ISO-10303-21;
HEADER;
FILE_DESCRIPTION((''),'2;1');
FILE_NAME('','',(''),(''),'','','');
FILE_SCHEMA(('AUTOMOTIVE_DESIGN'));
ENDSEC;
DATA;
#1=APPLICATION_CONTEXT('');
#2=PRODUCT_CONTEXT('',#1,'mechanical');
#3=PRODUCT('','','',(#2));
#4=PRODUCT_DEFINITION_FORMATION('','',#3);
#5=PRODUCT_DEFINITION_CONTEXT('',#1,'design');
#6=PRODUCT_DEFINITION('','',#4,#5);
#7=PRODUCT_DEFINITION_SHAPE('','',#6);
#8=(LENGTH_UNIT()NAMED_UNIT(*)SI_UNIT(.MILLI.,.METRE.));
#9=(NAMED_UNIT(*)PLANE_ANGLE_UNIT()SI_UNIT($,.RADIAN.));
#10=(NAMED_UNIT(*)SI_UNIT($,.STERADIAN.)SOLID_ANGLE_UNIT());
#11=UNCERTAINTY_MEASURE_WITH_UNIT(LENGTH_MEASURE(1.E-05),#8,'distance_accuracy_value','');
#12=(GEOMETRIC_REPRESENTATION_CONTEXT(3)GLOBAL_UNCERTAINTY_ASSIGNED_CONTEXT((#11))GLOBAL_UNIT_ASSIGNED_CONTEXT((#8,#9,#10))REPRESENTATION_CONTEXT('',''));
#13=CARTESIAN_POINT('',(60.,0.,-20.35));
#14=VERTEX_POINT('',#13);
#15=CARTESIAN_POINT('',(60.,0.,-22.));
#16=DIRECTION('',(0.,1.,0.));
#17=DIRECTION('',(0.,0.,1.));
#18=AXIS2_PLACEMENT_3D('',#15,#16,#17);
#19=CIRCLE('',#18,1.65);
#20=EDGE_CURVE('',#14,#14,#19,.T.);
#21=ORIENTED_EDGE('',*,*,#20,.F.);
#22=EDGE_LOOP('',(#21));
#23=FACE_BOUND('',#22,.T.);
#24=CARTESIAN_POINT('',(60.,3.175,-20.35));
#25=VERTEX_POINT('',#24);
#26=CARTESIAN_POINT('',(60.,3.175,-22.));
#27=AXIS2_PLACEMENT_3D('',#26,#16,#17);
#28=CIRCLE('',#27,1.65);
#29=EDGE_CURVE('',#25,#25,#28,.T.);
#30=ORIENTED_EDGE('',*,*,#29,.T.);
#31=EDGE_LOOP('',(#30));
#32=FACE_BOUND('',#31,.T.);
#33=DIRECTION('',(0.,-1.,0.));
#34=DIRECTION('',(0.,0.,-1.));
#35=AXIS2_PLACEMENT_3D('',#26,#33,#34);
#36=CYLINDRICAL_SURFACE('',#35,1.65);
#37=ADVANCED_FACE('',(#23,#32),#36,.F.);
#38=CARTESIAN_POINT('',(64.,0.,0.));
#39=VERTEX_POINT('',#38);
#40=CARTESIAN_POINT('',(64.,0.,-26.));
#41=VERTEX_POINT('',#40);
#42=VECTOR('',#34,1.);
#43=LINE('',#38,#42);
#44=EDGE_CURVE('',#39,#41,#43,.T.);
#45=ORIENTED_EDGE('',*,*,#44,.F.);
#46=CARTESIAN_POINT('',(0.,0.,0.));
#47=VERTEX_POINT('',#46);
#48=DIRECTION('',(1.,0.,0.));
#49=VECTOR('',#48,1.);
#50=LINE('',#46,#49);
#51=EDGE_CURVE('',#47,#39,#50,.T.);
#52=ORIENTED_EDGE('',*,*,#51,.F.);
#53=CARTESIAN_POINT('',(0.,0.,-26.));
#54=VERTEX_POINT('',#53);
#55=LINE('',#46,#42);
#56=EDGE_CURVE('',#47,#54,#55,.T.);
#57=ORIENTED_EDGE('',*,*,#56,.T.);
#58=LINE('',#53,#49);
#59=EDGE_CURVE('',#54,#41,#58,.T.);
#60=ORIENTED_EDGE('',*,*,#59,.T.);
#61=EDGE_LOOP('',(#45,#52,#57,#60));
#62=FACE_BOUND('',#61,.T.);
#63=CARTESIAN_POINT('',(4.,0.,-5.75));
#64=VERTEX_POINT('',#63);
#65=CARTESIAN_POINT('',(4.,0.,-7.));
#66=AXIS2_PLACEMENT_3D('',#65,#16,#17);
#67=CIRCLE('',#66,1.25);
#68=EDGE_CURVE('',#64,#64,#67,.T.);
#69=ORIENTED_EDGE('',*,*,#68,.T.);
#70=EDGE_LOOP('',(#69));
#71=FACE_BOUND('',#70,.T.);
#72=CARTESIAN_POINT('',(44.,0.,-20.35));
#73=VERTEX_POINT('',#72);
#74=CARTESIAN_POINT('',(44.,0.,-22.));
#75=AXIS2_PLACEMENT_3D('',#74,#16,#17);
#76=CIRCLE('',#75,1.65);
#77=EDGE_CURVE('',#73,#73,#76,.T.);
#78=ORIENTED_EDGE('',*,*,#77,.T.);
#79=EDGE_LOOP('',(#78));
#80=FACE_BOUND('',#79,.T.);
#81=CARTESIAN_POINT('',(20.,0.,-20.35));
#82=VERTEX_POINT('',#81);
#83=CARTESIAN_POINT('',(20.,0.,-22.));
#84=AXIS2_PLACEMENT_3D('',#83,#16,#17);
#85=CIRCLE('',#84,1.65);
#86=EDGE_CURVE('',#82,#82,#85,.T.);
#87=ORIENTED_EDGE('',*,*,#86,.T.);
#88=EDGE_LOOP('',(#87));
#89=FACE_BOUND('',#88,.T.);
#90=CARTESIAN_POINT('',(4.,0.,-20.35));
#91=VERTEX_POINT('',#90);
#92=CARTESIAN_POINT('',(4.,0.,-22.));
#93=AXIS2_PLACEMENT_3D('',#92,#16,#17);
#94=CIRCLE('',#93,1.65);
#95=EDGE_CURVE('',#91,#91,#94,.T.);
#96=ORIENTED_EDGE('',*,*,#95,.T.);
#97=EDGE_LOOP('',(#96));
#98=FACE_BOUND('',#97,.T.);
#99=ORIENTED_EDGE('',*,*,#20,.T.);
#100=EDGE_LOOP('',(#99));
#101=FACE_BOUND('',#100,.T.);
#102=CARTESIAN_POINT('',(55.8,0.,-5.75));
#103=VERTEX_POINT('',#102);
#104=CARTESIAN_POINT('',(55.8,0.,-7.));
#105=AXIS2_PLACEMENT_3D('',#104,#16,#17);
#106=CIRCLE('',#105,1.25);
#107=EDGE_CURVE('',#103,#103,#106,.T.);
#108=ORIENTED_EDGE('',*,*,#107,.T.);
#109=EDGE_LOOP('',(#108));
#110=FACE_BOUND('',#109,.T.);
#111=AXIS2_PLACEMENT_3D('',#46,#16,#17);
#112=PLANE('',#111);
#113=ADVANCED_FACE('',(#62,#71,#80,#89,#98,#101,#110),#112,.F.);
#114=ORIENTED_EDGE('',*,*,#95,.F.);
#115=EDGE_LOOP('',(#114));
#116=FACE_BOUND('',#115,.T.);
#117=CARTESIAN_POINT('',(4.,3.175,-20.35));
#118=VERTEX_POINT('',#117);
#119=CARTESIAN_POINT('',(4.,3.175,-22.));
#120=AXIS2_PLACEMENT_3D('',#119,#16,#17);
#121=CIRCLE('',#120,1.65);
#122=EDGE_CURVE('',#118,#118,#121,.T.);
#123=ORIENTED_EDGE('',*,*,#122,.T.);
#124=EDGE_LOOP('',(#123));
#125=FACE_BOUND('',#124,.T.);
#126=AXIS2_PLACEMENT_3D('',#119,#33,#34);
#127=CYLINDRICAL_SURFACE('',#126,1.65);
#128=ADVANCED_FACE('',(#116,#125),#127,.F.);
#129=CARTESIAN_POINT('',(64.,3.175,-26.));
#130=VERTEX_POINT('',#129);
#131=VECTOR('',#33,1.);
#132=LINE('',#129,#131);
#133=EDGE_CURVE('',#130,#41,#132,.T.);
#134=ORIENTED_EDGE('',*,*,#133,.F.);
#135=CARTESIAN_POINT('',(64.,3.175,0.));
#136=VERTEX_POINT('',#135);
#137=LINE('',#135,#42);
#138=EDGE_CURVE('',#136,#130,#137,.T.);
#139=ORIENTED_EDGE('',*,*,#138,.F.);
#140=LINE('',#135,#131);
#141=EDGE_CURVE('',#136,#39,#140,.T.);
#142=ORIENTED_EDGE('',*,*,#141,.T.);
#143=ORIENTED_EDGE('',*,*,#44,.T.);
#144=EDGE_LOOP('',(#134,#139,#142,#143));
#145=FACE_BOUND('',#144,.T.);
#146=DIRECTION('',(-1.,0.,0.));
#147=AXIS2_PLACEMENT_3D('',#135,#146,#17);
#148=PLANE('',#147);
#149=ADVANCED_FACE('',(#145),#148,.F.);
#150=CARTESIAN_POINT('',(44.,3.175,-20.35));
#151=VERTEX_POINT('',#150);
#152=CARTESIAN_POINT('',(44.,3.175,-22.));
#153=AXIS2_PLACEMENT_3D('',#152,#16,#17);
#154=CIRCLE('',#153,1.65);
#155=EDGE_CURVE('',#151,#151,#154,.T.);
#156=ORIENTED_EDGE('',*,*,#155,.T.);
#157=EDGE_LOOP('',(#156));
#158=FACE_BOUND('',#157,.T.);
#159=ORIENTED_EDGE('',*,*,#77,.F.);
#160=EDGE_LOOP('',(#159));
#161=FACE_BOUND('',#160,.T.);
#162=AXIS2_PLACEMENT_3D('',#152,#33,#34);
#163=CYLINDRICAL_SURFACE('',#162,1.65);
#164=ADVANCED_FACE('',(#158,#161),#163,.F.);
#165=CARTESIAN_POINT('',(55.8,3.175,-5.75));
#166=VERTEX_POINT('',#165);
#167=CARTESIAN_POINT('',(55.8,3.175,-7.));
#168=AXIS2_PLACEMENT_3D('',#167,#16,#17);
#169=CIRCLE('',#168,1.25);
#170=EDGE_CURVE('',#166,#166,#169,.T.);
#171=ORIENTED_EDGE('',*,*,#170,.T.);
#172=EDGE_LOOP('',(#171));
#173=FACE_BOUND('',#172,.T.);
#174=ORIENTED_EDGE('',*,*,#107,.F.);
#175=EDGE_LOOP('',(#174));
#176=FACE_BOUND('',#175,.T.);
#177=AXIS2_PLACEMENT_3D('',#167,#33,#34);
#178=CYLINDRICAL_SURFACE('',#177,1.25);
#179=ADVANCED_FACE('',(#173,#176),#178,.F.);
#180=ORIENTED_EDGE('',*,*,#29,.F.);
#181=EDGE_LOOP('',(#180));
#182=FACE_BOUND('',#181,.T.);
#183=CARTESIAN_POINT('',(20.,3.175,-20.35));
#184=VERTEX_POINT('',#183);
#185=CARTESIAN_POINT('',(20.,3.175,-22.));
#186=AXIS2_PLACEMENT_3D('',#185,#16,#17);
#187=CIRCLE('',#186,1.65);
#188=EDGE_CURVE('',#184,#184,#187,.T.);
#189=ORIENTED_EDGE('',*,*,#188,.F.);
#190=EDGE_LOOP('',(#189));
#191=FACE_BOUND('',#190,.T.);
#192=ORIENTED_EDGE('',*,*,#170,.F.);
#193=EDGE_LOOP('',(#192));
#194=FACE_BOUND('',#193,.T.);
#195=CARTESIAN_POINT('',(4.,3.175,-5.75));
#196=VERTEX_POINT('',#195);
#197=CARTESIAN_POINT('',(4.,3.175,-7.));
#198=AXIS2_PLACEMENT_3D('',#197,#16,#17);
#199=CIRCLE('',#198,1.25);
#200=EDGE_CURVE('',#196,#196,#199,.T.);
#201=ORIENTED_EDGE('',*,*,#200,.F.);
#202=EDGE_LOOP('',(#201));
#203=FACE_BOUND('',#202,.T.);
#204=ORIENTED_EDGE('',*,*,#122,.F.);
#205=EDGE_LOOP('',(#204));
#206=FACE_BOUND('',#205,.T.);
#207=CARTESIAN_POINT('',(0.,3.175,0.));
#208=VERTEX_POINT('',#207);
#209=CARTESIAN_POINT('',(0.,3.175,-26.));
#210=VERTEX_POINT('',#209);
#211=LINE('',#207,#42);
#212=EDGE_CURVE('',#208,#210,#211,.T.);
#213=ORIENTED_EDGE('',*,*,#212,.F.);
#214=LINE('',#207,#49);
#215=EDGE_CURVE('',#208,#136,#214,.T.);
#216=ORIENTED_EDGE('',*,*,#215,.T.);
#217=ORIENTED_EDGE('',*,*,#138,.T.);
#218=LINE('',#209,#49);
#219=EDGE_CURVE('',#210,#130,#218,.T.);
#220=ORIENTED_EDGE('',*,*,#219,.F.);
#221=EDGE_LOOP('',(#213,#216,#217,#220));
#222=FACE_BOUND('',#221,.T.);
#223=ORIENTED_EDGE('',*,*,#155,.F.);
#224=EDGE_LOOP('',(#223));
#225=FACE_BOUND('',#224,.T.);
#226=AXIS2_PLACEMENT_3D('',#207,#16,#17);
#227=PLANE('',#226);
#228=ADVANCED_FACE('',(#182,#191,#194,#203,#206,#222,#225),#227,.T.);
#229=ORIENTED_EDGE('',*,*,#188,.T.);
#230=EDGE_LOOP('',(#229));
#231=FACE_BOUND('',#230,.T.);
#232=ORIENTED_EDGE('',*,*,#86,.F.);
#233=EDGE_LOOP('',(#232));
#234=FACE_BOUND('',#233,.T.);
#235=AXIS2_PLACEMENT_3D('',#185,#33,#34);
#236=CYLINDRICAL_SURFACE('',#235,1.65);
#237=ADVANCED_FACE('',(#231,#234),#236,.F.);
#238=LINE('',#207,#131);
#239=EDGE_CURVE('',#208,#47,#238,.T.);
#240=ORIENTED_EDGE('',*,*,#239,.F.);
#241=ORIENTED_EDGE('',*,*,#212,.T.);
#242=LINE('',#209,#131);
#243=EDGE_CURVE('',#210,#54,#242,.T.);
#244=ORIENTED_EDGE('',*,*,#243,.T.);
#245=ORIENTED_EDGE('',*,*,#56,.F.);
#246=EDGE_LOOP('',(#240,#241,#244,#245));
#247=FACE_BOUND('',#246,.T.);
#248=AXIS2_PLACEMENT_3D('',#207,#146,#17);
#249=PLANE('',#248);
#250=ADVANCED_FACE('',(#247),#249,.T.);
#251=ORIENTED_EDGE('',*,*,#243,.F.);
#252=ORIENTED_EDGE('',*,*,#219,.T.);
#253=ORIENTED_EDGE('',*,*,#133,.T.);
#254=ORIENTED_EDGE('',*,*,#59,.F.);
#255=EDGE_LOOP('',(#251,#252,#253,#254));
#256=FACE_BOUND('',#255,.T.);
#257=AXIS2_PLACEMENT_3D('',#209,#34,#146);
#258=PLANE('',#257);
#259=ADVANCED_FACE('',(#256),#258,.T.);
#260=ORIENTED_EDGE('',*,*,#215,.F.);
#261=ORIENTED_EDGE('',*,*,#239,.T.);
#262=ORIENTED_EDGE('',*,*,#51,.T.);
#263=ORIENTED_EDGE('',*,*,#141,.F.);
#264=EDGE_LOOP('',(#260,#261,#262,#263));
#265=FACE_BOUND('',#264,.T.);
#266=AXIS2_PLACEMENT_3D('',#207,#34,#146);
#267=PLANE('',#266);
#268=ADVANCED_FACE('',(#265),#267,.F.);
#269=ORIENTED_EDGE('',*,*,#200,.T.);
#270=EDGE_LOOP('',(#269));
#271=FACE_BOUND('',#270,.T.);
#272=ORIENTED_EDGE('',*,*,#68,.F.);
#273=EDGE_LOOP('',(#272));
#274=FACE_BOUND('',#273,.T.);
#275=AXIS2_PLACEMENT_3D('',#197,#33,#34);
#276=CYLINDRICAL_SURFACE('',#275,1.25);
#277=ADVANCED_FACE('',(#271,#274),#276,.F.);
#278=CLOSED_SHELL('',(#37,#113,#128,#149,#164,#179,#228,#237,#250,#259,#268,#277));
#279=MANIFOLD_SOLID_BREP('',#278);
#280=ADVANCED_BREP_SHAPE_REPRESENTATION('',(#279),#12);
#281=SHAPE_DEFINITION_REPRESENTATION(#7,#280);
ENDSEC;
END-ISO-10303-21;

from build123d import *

# Parameters (mm, degrees)
SKETCH1_W           = 64
SKETCH1_H           = 26
SKETCH1_R           = 1.65
SKETCH1_R_2         = 1.25
BOSS_EXTRUDE1_DEPTH = 3.175


with BuildPart() as part:
    # Sketch1 → Boss-Extrude1 (new body)
    with BuildSketch(Plane(origin=(0, 0, 0), x_dir=(1, 0, 0), z_dir=(0, 1, 0))):
        with Locations((32, 13)):
            Rectangle(SKETCH1_W, SKETCH1_H)
        with Locations(Location((4, 22, 0), (0, 0, 270))):
            Circle(SKETCH1_R, mode=Mode.SUBTRACT)
        with Locations(Location((20, 22, 0), (0, 0, 270))):
            Circle(SKETCH1_R, mode=Mode.SUBTRACT)
        with Locations(Location((60, 22, 0), (0, 0, 270))):
            Circle(SKETCH1_R, mode=Mode.SUBTRACT)
        with Locations(Location((44, 22, 0), (0, 0, 270))):
            Circle(SKETCH1_R, mode=Mode.SUBTRACT)
        with Locations(Location((4, 7, 0), (0, 0, 270))):
            Circle(SKETCH1_R_2, mode=Mode.SUBTRACT)
        with Locations(Location((55.8, 7, 0), (0, 0, 270))):
            Circle(SKETCH1_R_2, mode=Mode.SUBTRACT)
    extrude(amount=BOSS_EXTRUDE1_DEPTH)


solid = part.part
